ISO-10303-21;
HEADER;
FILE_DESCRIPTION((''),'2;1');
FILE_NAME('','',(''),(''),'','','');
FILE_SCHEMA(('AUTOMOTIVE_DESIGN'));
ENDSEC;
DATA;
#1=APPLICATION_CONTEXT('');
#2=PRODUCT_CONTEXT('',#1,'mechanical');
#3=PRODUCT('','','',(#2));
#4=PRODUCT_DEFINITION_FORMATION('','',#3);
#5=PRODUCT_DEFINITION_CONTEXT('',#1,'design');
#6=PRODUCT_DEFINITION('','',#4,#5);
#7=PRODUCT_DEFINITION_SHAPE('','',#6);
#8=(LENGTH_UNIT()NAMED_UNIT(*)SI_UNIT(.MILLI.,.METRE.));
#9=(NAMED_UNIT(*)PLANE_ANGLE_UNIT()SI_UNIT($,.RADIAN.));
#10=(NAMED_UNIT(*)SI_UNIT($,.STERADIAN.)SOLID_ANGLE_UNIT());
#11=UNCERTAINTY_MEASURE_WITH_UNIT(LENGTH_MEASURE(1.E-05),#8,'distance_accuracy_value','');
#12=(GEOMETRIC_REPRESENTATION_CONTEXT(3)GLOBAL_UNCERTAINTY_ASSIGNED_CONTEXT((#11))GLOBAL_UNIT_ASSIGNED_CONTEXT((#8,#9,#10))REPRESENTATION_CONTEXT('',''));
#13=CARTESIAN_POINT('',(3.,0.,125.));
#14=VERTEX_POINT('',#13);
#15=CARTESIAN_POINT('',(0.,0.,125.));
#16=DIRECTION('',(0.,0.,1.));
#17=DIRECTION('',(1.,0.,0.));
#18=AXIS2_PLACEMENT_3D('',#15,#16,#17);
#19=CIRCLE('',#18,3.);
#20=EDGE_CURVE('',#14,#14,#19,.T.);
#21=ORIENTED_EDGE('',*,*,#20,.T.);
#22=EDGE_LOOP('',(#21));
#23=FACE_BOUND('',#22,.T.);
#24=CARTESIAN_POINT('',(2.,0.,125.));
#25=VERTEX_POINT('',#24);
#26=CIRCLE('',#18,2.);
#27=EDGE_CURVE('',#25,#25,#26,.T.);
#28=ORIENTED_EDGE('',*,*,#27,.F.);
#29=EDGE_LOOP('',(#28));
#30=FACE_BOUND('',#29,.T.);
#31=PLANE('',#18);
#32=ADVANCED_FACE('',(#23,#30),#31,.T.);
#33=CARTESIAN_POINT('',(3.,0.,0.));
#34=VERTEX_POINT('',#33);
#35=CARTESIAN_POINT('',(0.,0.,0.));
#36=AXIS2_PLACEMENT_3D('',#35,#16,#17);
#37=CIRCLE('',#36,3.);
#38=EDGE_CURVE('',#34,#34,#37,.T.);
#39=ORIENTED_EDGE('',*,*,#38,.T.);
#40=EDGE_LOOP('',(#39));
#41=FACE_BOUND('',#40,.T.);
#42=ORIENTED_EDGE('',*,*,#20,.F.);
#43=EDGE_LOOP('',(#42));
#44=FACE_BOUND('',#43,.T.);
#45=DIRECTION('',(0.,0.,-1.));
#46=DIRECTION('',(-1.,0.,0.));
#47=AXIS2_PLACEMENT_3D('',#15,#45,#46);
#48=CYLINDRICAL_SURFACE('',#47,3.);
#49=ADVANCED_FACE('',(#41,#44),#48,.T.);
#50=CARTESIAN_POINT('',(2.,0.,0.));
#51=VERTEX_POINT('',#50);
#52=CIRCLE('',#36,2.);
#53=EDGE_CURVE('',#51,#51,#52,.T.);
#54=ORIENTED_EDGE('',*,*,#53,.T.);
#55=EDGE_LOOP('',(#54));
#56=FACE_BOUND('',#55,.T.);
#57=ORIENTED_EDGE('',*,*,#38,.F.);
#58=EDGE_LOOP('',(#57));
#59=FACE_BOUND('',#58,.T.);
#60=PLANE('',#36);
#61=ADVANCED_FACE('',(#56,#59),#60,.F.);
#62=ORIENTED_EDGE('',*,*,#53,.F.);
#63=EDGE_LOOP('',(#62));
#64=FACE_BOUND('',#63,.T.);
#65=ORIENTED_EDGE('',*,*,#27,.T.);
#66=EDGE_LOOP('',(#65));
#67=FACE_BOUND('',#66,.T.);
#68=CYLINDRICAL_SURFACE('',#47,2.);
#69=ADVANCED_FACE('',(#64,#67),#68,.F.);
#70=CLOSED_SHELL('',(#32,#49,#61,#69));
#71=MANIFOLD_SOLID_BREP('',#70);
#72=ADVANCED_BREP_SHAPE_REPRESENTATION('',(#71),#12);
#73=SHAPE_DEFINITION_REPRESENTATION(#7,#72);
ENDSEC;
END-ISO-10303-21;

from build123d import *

# Parameters (mm, degrees)
SKETCH1_R           = 3
SKETCH1_R_2         = 2
BOSS_EXTRUDE1_DEPTH = 125


with BuildPart() as part:
    # Sketch1 → Boss-Extrude1 (new body)
    with BuildSketch(Plane.XY):
        Circle(SKETCH1_R)
        Circle(SKETCH1_R_2, mode=Mode.SUBTRACT)
    extrude(amount=BOSS_EXTRUDE1_DEPTH)


solid = part.part
